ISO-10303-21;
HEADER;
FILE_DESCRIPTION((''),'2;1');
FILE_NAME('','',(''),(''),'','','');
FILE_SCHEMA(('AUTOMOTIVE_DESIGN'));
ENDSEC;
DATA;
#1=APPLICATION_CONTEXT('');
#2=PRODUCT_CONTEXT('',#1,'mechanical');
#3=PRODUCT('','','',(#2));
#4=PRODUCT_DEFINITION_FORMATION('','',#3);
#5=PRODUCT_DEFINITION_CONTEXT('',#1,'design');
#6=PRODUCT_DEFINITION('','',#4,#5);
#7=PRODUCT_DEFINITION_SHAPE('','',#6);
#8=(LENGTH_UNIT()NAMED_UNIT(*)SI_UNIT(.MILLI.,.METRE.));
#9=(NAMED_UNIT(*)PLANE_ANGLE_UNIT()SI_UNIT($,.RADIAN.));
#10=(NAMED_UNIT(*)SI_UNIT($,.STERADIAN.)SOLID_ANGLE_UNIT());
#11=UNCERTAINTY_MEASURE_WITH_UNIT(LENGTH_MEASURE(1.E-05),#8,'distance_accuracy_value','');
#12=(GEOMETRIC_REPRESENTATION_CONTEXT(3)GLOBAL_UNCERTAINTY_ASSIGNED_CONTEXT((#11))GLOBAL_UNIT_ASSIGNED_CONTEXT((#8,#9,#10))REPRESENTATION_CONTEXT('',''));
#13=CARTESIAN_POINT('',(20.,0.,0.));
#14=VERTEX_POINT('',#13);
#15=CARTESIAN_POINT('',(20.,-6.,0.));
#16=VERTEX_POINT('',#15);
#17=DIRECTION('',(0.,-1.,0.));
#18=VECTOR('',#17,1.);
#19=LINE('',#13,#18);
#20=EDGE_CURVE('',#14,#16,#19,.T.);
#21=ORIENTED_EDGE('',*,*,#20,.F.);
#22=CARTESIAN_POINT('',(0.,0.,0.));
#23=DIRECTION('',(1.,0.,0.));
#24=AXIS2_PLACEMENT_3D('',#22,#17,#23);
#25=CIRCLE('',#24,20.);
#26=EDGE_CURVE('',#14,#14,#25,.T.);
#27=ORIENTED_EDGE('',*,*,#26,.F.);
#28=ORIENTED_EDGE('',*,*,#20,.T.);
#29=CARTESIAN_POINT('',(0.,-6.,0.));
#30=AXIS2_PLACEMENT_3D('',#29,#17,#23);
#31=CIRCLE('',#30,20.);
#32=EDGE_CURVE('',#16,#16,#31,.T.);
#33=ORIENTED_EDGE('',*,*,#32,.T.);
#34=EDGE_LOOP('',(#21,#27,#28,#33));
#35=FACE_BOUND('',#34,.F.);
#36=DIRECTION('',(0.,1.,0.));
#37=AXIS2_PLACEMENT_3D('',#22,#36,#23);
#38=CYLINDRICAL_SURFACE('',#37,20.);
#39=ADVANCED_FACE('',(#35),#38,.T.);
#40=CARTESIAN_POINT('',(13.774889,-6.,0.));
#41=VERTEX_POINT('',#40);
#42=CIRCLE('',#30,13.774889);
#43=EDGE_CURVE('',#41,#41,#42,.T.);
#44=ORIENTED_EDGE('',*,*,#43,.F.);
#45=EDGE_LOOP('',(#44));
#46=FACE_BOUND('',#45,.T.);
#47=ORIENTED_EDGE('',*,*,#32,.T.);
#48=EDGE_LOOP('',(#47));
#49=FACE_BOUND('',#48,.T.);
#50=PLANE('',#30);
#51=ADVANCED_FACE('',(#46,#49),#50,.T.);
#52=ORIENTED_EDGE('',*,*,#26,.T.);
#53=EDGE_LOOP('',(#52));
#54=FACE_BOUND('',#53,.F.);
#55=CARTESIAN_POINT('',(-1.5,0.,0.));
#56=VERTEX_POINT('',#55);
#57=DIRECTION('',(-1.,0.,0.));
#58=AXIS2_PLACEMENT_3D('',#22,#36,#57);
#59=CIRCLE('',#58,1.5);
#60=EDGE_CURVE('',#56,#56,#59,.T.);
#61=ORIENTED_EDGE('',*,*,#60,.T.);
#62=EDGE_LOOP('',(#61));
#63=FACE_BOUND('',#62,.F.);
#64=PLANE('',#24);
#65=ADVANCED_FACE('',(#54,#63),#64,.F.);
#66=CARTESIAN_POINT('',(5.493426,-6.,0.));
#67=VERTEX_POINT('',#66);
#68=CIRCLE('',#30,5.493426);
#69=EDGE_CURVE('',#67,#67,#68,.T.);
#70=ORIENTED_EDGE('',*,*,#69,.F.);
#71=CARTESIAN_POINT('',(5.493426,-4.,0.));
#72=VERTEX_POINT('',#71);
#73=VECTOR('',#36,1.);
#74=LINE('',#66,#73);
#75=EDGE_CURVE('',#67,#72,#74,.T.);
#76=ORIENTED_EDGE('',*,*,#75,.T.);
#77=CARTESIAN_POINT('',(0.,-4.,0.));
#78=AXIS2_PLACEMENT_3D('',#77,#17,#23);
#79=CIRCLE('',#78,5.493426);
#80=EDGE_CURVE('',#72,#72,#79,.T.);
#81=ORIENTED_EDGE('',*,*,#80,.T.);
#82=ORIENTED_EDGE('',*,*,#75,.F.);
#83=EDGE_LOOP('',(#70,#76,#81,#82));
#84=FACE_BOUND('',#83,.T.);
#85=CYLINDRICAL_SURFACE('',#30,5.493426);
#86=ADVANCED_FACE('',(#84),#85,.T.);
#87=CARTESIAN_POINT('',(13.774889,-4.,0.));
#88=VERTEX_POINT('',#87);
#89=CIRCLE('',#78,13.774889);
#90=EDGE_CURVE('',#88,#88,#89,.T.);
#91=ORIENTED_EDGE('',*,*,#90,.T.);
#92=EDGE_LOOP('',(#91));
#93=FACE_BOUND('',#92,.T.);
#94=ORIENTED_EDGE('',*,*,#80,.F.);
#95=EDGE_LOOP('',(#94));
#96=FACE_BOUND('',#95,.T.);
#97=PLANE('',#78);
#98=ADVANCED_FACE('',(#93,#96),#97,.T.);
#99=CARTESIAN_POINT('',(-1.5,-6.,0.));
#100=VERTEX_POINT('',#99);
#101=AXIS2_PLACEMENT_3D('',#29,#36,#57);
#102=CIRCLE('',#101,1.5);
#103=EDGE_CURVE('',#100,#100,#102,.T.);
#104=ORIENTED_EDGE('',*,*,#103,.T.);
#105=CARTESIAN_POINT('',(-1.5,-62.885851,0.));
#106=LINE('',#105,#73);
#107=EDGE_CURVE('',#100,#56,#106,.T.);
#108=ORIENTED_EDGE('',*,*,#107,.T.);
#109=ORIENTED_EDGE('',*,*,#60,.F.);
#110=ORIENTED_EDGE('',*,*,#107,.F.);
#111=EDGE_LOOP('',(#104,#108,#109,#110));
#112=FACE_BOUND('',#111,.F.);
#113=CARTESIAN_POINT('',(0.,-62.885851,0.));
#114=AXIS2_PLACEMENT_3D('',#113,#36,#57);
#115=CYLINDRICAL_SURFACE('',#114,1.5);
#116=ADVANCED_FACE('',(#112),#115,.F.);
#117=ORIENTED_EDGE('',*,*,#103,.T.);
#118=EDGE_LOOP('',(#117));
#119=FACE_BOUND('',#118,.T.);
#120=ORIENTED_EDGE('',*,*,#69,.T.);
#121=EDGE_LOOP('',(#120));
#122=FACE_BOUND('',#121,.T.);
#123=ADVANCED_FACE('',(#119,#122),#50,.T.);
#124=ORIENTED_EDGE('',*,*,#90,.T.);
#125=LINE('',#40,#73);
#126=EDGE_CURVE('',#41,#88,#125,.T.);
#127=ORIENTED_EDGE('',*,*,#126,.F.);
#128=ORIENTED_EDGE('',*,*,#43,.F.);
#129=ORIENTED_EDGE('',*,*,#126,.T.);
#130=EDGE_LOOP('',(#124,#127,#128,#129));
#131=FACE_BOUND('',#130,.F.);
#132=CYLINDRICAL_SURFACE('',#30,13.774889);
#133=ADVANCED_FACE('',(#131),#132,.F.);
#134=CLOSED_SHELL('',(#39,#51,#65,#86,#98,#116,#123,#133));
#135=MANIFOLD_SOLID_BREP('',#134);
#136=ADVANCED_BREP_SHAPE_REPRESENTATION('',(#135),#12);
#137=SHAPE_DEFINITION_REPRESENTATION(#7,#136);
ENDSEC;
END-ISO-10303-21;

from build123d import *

# Parameters (mm, degrees)
F0_R     = 20
F1_DEPTH = 6
F2_R     = 13.774889
F2_R_2   = 5.493426
F3_DEPTH = 2
F4_D     = 3


with BuildPart() as f1:
    # F0 (on Front) → F1 (new body)
    with BuildSketch(Plane.XZ):
        Circle(F0_R)
    extrude(amount=F1_DEPTH)

    # F2 (on face) → F3 (cut)
    with BuildSketch(Plane.XZ.offset(6)):
        Circle(F2_R)
        Circle(F2_R_2, mode=Mode.SUBTRACT)
    extrude(amount=-F3_DEPTH, mode=Mode.SUBTRACT)

    # F4 (through all)
    with Locations(Plane.XZ.offset(6)):
        with Locations((0, 0)):
            Hole(F4_D / 2)


solid = f1.part
